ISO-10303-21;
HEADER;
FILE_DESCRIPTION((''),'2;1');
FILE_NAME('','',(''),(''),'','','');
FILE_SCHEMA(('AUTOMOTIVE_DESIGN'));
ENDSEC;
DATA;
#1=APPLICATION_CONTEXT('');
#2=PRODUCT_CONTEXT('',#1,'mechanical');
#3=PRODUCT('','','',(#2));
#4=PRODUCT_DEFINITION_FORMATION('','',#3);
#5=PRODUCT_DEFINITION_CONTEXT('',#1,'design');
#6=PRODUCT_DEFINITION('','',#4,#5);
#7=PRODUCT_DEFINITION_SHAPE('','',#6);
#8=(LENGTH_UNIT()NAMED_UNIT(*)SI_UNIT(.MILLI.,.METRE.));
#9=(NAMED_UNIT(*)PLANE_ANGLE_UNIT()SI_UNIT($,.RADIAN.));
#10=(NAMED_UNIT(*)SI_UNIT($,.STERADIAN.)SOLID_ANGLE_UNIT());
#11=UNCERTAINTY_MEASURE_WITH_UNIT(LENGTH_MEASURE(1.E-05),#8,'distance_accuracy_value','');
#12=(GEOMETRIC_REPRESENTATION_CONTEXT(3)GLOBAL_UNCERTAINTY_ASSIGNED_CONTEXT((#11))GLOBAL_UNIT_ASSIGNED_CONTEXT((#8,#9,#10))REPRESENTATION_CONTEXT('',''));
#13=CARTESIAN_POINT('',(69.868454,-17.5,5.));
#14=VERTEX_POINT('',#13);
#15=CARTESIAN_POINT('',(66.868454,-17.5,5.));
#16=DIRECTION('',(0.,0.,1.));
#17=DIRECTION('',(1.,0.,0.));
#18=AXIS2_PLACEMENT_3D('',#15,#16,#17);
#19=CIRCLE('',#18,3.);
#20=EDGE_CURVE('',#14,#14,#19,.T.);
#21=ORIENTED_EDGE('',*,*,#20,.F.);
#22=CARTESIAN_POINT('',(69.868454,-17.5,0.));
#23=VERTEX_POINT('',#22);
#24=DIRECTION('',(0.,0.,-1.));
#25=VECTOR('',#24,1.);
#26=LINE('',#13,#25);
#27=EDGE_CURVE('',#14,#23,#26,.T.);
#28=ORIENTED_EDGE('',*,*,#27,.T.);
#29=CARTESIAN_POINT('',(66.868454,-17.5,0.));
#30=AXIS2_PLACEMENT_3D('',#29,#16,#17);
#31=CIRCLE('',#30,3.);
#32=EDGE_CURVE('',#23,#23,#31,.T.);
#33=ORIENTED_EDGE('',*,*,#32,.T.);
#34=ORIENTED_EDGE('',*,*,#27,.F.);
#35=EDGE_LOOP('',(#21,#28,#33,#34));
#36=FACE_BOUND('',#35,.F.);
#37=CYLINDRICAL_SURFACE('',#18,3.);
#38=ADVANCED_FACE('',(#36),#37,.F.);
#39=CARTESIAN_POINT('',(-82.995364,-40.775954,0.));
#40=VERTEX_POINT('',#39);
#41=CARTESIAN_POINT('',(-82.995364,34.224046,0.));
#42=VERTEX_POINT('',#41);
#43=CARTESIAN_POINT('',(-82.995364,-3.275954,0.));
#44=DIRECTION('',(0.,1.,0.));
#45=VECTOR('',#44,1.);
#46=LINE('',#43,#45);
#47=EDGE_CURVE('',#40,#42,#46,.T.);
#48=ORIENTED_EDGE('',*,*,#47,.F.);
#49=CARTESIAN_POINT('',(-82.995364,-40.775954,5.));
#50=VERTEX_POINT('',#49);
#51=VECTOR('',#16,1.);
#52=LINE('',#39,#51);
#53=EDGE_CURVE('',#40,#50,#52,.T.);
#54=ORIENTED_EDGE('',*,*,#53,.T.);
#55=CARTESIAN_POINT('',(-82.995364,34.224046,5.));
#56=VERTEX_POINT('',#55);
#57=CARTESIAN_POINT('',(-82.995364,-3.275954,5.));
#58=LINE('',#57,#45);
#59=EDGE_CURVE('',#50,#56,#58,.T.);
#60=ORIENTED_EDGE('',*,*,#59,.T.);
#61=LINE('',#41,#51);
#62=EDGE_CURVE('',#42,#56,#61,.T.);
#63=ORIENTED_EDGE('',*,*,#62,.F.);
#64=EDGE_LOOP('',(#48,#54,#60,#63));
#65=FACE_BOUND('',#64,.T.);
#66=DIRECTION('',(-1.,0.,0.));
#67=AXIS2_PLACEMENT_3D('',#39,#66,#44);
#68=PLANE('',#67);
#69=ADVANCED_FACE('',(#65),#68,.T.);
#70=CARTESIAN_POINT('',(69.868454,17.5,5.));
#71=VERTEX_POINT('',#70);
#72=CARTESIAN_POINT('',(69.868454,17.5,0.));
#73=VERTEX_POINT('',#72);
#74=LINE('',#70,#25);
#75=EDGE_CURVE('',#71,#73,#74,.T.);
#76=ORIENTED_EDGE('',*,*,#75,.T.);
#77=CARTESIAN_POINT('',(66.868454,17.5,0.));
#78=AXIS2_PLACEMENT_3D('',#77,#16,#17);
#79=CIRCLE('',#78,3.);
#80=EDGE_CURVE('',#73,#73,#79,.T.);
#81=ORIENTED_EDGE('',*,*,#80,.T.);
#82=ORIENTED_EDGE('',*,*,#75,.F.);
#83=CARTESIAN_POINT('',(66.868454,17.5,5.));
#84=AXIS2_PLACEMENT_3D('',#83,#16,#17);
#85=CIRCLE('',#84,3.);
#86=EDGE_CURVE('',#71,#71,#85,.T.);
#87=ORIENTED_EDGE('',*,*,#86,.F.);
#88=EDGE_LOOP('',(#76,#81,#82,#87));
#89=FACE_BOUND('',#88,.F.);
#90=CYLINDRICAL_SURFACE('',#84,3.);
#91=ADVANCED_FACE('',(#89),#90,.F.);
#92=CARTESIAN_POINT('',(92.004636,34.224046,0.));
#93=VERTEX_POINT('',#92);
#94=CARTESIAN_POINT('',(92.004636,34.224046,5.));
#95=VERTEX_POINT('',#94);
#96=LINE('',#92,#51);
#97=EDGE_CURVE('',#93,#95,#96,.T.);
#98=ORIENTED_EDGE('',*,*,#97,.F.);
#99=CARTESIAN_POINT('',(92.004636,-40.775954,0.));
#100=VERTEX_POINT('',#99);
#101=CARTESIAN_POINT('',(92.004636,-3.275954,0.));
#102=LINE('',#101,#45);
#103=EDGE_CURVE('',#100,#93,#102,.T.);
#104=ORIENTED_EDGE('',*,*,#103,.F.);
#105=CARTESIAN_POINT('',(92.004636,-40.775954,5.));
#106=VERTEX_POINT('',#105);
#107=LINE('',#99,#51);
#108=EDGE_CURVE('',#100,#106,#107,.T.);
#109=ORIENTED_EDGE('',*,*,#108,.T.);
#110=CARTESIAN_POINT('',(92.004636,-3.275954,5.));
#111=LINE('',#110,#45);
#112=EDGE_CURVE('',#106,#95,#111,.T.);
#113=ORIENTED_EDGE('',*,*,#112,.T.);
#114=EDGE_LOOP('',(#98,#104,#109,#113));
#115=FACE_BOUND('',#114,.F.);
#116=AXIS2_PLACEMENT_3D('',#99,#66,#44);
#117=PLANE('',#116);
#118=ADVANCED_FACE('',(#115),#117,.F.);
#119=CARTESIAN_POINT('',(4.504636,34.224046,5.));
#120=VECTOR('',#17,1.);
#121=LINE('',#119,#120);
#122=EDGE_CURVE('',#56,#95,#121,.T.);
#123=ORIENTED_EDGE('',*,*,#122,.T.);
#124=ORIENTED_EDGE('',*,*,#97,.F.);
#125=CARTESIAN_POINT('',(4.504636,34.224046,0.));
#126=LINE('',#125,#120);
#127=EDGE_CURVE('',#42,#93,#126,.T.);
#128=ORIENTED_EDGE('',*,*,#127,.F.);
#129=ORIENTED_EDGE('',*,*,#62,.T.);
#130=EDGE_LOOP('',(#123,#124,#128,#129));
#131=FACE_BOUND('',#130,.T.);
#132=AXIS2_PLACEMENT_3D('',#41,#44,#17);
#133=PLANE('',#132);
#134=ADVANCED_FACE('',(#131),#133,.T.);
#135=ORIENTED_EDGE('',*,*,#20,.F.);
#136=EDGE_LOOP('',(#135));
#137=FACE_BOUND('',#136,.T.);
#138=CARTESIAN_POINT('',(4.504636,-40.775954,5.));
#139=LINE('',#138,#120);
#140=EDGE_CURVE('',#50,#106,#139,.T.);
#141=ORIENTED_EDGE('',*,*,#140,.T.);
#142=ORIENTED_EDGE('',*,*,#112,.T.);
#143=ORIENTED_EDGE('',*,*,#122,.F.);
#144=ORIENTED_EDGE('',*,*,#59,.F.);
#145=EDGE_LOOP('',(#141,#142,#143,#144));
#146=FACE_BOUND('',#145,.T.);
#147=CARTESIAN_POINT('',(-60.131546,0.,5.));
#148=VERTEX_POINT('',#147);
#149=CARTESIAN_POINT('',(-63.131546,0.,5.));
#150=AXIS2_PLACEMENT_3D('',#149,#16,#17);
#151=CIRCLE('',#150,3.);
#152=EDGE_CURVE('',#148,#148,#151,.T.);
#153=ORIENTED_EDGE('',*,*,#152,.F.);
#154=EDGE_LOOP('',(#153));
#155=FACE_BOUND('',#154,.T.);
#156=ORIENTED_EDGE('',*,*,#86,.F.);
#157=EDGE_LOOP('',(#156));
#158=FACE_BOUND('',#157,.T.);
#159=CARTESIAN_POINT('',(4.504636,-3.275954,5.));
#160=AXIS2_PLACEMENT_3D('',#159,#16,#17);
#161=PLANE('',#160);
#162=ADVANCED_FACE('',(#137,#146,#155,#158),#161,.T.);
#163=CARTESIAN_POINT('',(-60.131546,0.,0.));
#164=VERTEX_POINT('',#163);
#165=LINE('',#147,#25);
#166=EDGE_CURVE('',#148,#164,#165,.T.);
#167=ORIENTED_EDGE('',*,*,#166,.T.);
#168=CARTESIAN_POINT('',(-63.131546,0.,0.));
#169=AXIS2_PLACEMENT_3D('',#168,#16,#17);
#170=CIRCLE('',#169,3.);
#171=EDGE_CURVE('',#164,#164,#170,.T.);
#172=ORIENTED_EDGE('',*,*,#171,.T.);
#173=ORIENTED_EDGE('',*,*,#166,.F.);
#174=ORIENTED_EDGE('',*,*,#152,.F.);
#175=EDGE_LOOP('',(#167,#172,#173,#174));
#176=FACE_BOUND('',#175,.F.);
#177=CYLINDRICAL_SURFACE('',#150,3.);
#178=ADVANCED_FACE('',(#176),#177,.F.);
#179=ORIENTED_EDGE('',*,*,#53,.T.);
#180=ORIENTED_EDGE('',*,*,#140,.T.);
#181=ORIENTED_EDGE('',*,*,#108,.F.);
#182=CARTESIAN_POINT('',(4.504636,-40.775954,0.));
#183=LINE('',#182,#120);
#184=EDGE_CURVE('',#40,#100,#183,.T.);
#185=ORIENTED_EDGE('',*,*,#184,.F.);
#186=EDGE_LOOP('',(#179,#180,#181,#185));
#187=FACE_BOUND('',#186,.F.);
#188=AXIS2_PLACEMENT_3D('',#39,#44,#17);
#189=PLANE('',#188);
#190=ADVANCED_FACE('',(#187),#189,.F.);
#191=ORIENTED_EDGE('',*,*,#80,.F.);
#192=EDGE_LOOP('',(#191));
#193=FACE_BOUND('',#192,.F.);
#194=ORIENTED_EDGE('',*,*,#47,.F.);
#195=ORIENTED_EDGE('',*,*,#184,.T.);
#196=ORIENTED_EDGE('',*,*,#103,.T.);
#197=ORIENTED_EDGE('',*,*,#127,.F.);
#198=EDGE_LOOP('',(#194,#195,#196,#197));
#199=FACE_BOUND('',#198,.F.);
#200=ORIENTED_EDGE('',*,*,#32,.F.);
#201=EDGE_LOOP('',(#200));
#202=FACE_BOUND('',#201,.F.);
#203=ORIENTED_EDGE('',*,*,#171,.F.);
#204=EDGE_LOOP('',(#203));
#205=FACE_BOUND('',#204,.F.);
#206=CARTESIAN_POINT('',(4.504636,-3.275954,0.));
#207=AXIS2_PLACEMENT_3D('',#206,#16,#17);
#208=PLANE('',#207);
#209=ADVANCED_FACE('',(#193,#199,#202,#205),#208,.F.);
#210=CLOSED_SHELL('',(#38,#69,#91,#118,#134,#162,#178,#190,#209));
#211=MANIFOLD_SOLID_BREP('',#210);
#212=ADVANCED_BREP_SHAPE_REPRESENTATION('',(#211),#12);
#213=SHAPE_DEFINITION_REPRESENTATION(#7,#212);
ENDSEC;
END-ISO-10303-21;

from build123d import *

# Parameters (mm, degrees)
F0_W     = 175
F0_H     = 75
F1_DEPTH = 5
F2_R     = 3
F3_DEPTH = 5.001


with BuildPart() as f1:
    # F0 (on Top) → F1 (new body)
    with BuildSketch(Plane.XY):
        with Locations((4.504636, -3.275954)):
            Rectangle(F0_W, F0_H)
    extrude(amount=F1_DEPTH)

    # F2 (on face) → F3 (cut, through all)
    with BuildSketch(Plane.XY.offset(5)):
        with Locations((-63.131546, 0)):
            Circle(F2_R)
        with Locations((66.868454, 17.5)):
            Circle(F2_R)
        with Locations((66.868454, -17.5)):
            Circle(F2_R)
    extrude(amount=-F3_DEPTH, mode=Mode.SUBTRACT)


solid = f1.part
